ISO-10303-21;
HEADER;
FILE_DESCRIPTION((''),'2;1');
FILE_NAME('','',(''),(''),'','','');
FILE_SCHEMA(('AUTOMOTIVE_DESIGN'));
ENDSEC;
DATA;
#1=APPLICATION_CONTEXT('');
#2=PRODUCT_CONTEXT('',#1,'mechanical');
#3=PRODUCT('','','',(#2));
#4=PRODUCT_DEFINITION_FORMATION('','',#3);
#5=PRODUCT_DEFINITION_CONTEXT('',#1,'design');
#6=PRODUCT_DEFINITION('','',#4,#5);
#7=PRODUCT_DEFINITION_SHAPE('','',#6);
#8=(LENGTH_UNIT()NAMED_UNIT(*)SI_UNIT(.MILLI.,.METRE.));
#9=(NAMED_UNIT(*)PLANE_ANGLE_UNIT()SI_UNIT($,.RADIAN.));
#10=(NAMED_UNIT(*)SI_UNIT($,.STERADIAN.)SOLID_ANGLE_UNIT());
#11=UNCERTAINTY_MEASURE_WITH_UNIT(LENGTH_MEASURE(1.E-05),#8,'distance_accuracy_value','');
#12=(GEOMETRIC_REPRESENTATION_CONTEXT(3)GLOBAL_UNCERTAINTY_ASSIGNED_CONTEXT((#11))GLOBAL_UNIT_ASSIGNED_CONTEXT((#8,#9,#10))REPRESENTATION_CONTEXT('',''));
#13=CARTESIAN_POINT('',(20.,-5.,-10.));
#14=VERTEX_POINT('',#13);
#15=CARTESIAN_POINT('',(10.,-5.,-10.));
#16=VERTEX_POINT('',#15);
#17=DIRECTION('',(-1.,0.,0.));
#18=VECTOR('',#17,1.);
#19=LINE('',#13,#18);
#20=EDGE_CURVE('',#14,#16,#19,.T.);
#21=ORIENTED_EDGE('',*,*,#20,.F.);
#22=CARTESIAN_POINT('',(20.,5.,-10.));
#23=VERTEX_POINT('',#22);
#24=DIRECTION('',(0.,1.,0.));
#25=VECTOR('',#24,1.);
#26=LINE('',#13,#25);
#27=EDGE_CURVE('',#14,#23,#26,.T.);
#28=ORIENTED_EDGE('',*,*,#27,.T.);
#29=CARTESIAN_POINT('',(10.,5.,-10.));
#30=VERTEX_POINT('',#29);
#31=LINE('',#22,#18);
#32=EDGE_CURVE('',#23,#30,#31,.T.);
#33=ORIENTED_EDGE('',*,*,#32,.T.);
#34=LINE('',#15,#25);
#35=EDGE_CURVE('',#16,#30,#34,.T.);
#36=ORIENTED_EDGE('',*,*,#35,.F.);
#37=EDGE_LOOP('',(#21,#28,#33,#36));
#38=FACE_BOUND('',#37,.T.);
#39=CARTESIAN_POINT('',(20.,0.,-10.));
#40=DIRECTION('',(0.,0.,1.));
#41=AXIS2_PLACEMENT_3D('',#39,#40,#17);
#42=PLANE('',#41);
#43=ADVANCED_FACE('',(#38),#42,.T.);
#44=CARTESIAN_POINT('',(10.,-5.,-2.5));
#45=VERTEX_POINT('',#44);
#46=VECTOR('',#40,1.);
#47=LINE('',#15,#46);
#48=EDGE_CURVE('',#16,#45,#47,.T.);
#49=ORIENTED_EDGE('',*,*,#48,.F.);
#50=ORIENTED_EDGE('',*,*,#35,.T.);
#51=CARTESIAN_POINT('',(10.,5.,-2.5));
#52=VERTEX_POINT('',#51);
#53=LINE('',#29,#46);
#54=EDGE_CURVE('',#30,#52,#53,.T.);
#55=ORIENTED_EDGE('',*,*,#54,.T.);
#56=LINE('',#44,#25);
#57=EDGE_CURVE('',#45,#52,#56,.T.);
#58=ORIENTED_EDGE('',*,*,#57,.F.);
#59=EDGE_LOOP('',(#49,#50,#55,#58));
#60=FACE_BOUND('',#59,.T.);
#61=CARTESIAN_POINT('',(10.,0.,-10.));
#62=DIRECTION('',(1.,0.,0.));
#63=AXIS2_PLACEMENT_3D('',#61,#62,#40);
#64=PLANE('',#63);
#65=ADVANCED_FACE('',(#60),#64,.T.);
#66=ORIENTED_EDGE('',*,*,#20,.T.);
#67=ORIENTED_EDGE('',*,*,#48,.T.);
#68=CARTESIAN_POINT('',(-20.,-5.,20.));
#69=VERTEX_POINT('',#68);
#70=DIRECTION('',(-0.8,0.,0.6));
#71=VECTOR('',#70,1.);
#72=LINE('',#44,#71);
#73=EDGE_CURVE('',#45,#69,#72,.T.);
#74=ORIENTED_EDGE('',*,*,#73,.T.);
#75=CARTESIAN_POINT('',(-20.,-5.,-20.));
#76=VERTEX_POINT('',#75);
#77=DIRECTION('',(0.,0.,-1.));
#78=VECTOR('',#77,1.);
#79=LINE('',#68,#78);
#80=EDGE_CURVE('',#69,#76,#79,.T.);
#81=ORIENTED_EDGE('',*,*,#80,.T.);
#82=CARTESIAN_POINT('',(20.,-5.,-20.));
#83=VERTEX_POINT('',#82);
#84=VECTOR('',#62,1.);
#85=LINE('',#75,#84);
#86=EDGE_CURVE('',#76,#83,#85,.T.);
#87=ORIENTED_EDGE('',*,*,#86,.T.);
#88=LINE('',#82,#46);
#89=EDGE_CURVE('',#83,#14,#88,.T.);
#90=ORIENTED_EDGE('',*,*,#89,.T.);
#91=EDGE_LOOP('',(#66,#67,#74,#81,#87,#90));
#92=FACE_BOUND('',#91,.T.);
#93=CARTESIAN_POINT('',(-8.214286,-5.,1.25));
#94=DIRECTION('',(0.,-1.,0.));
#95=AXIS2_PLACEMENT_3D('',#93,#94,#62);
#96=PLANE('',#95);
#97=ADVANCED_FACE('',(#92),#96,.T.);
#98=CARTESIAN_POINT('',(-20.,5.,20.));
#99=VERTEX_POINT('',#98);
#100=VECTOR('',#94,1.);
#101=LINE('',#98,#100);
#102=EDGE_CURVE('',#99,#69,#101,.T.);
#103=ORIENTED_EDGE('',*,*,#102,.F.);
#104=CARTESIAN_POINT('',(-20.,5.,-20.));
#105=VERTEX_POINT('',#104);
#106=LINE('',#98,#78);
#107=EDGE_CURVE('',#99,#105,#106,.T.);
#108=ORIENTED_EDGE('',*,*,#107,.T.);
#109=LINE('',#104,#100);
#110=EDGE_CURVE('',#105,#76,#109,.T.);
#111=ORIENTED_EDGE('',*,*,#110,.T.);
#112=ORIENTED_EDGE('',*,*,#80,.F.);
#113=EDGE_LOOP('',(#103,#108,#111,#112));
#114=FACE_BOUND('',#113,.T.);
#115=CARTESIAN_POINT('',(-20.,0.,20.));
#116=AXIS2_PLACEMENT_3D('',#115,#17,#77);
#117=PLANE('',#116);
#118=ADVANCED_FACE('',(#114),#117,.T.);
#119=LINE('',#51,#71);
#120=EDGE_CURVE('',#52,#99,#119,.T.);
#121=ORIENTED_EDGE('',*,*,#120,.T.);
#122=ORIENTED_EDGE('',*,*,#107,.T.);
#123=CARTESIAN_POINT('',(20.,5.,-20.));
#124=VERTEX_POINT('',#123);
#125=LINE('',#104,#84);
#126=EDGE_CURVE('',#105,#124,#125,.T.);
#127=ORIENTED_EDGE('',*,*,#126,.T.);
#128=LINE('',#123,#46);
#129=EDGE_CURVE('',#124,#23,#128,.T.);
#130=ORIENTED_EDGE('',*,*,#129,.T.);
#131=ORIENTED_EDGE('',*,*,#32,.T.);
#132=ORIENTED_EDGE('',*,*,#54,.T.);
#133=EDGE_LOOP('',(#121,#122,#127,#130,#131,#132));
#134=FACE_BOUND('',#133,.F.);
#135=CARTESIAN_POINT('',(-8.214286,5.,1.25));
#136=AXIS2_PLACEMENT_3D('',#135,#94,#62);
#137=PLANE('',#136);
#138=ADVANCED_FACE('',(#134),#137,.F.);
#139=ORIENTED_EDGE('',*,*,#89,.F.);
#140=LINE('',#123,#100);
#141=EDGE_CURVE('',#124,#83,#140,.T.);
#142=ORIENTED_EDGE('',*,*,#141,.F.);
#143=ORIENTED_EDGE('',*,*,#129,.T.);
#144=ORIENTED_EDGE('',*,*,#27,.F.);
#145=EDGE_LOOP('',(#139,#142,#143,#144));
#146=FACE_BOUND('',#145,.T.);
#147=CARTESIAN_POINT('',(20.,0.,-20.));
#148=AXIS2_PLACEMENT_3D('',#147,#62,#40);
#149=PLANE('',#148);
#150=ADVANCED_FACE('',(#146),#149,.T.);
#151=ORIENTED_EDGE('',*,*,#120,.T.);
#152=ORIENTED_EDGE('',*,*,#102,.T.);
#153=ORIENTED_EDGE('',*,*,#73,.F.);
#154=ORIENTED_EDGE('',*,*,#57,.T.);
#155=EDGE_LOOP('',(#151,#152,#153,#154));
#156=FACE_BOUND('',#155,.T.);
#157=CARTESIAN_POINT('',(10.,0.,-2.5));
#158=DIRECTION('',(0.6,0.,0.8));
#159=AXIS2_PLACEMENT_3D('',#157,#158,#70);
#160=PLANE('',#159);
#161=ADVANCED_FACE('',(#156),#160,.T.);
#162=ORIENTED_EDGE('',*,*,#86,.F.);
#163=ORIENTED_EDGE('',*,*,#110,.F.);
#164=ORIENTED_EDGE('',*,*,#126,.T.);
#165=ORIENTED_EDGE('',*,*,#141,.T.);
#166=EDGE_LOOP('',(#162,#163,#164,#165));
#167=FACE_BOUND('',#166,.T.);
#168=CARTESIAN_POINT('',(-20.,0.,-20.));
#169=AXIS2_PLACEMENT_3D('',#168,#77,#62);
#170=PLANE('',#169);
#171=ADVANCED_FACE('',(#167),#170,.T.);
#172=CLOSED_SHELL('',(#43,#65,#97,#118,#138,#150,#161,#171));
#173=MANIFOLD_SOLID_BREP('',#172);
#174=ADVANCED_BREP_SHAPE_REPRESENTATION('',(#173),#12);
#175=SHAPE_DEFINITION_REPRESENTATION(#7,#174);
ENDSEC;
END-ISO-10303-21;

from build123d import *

# Parameters (mm, degrees)
F1_DEPTH = 5


with BuildPart() as f1:
    # F0 (on Front) → F1 (new body, symmetric)
    with BuildSketch(Plane.XZ):
        Polygon((10, -2.5), (-20, 20), (-20, -10), (10, -10), align=None)
        Polygon((20, -20), (20, -10), (10, -10), (-20, -10), (-20, -20), align=None)
    extrude(amount=F1_DEPTH, both=True)


solid = f1.part
